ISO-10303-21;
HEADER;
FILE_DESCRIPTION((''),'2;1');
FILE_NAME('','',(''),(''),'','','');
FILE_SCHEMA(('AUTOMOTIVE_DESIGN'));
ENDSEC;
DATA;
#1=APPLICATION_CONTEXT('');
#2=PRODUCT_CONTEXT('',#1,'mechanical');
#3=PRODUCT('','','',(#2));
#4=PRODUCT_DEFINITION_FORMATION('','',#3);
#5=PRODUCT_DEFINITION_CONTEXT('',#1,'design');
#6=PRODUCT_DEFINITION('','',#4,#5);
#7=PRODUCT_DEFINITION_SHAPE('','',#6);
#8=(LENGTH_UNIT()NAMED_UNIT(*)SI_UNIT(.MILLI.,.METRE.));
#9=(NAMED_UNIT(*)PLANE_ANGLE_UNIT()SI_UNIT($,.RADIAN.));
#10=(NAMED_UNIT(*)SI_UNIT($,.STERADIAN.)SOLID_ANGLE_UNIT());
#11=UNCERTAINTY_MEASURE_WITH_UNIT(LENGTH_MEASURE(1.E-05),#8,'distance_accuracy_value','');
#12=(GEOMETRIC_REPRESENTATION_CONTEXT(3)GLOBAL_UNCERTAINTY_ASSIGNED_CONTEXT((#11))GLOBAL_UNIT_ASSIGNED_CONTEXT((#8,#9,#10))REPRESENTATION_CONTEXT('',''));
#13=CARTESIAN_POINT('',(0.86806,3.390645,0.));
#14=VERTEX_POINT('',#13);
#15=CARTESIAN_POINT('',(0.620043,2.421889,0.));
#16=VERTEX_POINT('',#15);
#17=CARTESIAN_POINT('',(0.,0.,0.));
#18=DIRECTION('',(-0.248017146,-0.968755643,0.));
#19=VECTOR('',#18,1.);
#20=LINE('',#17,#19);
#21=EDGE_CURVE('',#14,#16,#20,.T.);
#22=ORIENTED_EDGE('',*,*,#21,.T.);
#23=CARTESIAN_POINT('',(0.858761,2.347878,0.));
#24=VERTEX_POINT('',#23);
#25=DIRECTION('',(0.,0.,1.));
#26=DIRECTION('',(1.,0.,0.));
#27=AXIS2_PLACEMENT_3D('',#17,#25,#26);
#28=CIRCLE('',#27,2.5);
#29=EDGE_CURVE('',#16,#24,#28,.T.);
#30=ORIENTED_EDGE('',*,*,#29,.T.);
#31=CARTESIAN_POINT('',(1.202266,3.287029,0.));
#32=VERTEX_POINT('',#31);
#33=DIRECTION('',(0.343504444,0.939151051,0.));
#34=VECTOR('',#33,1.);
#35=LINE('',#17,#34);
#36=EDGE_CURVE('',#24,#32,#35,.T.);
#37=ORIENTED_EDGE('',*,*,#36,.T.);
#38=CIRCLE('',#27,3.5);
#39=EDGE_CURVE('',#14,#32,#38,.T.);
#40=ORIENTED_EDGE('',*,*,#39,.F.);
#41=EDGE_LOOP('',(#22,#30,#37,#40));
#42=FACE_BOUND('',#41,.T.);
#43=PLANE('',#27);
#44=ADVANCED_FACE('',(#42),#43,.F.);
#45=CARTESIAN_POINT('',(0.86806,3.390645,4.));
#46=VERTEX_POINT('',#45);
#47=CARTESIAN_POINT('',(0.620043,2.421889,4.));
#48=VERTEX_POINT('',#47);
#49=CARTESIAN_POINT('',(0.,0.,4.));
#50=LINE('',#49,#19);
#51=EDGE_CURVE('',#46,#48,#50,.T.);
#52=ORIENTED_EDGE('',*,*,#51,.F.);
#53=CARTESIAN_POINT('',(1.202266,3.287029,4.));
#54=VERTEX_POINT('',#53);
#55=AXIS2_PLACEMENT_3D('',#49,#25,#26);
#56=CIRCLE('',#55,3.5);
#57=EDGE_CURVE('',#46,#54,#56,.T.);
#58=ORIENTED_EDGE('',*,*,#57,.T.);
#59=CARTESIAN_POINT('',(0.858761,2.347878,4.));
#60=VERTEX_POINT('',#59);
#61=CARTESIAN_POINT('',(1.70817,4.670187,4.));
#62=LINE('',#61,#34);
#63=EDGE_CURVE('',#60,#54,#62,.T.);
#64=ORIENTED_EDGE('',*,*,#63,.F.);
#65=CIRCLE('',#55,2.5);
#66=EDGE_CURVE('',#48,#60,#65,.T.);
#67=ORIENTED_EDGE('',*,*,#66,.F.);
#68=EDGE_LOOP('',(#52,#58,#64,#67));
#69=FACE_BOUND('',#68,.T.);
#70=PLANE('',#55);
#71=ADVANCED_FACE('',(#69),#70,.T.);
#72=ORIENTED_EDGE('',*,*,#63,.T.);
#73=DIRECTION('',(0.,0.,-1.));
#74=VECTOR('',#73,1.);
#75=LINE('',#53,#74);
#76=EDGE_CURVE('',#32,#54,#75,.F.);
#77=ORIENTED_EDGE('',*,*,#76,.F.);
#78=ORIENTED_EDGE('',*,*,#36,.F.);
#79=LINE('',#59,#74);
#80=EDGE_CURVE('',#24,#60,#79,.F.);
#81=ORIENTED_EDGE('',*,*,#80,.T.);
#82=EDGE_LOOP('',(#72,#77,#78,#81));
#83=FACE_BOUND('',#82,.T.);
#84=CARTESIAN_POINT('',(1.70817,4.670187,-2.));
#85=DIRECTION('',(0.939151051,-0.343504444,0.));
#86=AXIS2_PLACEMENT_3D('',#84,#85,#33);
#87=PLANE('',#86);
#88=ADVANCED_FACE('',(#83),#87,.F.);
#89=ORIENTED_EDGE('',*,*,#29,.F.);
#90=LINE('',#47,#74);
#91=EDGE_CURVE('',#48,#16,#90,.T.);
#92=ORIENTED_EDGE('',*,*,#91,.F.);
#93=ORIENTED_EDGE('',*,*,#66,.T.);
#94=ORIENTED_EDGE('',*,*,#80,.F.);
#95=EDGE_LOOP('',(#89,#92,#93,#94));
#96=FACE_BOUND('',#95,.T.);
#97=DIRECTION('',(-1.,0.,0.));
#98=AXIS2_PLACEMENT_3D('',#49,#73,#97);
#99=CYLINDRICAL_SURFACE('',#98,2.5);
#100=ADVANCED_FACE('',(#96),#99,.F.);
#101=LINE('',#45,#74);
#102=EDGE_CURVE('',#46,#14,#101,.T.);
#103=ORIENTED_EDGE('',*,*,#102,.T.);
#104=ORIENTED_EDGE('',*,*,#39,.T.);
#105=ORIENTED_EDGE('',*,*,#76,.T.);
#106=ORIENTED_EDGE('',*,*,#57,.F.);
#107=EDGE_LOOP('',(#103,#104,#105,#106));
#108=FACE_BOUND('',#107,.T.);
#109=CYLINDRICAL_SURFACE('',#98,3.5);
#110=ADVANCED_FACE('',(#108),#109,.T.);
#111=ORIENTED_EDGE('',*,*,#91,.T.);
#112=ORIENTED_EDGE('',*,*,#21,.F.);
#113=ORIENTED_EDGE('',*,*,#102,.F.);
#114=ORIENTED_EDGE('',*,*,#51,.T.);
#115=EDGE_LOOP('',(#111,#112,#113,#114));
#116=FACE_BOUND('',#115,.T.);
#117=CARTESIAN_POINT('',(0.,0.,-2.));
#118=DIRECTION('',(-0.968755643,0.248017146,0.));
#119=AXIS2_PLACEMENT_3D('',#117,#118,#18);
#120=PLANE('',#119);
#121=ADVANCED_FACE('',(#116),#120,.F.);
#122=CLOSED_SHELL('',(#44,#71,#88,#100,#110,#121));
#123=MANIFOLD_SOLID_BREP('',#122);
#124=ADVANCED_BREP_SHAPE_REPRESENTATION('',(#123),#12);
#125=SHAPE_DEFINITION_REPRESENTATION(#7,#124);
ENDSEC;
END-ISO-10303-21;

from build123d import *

# Parameters (mm, degrees)
SKETCH_1_R          = 3.5
SKETCH_1_R_2        = 2.5
EXTRUDE_1_DEPTH     = 4
CUT_EXTRUDE_1_DEPTH = 6


with BuildPart() as part:
    # 草图1 → 凸台-拉伸1 (new body)
    with BuildSketch(Plane.XY):
        Circle(SKETCH_1_R)
        Circle(SKETCH_1_R_2, mode=Mode.SUBTRACT)
    extrude(amount=EXTRUDE_1_DEPTH)

    # 草图2 → 切除-拉伸1 (cut)
    with BuildSketch(Plane.XY.offset(4)):
        Polygon((0, 0), (1.195643568, 4.670187004), (1.708170359, 4.670187004), align=None)
    extrude(amount=-CUT_EXTRUDE_1_DEPTH, mode=Mode.SUBTRACT)


solid = part.part
